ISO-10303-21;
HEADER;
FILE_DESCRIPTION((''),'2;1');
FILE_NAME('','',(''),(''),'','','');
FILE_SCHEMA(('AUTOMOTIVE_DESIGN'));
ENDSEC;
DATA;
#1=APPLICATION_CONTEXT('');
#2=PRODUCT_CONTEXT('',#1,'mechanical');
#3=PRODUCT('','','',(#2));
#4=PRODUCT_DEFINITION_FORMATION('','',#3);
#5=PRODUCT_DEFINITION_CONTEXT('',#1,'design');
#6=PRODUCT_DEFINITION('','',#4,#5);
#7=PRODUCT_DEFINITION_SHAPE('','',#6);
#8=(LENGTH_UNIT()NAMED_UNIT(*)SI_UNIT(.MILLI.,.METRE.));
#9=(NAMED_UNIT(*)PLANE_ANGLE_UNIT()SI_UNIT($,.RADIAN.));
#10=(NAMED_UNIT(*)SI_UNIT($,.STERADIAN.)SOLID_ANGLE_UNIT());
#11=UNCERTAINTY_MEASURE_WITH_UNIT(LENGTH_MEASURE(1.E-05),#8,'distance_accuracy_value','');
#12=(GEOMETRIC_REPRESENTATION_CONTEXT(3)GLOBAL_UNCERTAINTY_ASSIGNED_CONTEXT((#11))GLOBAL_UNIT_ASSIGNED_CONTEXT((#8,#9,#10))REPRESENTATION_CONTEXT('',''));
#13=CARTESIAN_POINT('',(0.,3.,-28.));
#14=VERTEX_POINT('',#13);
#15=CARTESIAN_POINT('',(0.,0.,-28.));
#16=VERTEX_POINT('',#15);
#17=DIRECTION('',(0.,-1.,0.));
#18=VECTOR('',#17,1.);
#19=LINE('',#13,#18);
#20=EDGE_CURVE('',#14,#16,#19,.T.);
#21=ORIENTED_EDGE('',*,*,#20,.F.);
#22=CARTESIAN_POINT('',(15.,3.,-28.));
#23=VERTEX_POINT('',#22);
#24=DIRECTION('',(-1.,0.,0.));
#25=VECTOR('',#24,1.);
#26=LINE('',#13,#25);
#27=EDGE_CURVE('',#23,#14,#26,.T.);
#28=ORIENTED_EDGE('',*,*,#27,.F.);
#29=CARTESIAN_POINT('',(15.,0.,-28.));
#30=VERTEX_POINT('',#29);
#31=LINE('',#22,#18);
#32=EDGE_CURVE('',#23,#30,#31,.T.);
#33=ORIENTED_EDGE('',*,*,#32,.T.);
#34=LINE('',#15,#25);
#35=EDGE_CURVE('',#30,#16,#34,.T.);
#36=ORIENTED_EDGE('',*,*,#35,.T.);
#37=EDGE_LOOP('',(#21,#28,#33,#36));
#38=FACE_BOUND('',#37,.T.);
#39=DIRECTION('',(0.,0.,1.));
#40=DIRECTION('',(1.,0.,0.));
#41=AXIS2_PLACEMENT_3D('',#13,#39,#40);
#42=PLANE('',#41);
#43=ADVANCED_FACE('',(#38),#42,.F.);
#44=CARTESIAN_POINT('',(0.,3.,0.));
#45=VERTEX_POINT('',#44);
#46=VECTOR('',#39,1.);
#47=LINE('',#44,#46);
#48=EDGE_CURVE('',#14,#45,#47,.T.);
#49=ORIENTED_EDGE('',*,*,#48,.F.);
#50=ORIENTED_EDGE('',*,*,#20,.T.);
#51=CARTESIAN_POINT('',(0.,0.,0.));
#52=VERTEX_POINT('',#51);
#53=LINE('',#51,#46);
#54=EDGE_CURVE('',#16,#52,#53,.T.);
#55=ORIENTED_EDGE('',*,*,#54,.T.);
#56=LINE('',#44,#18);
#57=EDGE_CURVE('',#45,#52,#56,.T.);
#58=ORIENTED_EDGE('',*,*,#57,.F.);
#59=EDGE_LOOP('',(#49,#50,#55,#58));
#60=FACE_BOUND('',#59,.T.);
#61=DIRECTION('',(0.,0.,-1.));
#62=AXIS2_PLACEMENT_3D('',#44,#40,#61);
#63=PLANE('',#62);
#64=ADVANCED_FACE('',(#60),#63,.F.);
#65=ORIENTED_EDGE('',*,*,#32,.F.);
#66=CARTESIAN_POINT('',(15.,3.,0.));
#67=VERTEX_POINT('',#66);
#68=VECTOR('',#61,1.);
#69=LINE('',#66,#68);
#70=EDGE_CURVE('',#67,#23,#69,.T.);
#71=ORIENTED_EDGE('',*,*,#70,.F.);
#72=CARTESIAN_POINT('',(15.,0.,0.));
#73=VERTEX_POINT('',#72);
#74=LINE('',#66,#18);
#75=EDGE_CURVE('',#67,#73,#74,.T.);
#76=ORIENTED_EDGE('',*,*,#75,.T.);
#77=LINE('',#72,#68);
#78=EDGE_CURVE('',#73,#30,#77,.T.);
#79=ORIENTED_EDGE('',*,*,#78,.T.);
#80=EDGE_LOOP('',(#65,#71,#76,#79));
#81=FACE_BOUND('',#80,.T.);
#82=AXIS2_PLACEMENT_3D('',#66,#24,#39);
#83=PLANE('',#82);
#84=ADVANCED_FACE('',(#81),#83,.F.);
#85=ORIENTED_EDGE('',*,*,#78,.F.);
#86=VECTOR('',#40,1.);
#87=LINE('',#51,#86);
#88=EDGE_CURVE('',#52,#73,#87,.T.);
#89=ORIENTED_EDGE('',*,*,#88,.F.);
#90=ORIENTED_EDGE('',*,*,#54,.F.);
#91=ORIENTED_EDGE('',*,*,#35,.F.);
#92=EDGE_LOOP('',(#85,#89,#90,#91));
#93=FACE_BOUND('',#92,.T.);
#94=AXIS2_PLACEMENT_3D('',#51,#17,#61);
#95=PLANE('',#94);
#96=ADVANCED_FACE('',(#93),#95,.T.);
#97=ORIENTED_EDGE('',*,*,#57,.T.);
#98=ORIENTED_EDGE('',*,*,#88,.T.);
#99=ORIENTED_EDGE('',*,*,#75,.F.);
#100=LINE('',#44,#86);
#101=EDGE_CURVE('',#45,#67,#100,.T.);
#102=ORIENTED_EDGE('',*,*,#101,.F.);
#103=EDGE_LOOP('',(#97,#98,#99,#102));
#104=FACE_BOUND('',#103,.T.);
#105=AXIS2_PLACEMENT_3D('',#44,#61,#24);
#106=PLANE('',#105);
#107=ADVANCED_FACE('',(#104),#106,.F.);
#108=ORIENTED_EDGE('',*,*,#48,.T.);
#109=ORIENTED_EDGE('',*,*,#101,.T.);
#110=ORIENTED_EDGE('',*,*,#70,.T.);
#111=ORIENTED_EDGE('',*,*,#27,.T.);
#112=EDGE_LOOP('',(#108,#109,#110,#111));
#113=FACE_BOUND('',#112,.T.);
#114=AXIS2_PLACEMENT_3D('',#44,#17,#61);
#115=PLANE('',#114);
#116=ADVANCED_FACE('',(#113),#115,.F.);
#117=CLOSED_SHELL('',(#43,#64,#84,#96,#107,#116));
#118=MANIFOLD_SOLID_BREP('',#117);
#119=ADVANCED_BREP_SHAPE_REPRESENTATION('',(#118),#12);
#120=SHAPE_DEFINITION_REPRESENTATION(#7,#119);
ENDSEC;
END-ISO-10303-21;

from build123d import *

# Parameters (mm, degrees)
PRENDEDORESB_W = 15
PRENDEDORESB_H = 28
TRAVA_DEPTH    = 3


with BuildPart() as part:
    # PrendedorEsb → Trava (new body)
    with BuildSketch(Plane(origin=(0, 0, 0), x_dir=(1, 0, 0), z_dir=(0, 1, 0))):
        with Locations((7.5, 14)):
            Rectangle(PRENDEDORESB_W, PRENDEDORESB_H)
    extrude(amount=TRAVA_DEPTH)


solid = part.part
